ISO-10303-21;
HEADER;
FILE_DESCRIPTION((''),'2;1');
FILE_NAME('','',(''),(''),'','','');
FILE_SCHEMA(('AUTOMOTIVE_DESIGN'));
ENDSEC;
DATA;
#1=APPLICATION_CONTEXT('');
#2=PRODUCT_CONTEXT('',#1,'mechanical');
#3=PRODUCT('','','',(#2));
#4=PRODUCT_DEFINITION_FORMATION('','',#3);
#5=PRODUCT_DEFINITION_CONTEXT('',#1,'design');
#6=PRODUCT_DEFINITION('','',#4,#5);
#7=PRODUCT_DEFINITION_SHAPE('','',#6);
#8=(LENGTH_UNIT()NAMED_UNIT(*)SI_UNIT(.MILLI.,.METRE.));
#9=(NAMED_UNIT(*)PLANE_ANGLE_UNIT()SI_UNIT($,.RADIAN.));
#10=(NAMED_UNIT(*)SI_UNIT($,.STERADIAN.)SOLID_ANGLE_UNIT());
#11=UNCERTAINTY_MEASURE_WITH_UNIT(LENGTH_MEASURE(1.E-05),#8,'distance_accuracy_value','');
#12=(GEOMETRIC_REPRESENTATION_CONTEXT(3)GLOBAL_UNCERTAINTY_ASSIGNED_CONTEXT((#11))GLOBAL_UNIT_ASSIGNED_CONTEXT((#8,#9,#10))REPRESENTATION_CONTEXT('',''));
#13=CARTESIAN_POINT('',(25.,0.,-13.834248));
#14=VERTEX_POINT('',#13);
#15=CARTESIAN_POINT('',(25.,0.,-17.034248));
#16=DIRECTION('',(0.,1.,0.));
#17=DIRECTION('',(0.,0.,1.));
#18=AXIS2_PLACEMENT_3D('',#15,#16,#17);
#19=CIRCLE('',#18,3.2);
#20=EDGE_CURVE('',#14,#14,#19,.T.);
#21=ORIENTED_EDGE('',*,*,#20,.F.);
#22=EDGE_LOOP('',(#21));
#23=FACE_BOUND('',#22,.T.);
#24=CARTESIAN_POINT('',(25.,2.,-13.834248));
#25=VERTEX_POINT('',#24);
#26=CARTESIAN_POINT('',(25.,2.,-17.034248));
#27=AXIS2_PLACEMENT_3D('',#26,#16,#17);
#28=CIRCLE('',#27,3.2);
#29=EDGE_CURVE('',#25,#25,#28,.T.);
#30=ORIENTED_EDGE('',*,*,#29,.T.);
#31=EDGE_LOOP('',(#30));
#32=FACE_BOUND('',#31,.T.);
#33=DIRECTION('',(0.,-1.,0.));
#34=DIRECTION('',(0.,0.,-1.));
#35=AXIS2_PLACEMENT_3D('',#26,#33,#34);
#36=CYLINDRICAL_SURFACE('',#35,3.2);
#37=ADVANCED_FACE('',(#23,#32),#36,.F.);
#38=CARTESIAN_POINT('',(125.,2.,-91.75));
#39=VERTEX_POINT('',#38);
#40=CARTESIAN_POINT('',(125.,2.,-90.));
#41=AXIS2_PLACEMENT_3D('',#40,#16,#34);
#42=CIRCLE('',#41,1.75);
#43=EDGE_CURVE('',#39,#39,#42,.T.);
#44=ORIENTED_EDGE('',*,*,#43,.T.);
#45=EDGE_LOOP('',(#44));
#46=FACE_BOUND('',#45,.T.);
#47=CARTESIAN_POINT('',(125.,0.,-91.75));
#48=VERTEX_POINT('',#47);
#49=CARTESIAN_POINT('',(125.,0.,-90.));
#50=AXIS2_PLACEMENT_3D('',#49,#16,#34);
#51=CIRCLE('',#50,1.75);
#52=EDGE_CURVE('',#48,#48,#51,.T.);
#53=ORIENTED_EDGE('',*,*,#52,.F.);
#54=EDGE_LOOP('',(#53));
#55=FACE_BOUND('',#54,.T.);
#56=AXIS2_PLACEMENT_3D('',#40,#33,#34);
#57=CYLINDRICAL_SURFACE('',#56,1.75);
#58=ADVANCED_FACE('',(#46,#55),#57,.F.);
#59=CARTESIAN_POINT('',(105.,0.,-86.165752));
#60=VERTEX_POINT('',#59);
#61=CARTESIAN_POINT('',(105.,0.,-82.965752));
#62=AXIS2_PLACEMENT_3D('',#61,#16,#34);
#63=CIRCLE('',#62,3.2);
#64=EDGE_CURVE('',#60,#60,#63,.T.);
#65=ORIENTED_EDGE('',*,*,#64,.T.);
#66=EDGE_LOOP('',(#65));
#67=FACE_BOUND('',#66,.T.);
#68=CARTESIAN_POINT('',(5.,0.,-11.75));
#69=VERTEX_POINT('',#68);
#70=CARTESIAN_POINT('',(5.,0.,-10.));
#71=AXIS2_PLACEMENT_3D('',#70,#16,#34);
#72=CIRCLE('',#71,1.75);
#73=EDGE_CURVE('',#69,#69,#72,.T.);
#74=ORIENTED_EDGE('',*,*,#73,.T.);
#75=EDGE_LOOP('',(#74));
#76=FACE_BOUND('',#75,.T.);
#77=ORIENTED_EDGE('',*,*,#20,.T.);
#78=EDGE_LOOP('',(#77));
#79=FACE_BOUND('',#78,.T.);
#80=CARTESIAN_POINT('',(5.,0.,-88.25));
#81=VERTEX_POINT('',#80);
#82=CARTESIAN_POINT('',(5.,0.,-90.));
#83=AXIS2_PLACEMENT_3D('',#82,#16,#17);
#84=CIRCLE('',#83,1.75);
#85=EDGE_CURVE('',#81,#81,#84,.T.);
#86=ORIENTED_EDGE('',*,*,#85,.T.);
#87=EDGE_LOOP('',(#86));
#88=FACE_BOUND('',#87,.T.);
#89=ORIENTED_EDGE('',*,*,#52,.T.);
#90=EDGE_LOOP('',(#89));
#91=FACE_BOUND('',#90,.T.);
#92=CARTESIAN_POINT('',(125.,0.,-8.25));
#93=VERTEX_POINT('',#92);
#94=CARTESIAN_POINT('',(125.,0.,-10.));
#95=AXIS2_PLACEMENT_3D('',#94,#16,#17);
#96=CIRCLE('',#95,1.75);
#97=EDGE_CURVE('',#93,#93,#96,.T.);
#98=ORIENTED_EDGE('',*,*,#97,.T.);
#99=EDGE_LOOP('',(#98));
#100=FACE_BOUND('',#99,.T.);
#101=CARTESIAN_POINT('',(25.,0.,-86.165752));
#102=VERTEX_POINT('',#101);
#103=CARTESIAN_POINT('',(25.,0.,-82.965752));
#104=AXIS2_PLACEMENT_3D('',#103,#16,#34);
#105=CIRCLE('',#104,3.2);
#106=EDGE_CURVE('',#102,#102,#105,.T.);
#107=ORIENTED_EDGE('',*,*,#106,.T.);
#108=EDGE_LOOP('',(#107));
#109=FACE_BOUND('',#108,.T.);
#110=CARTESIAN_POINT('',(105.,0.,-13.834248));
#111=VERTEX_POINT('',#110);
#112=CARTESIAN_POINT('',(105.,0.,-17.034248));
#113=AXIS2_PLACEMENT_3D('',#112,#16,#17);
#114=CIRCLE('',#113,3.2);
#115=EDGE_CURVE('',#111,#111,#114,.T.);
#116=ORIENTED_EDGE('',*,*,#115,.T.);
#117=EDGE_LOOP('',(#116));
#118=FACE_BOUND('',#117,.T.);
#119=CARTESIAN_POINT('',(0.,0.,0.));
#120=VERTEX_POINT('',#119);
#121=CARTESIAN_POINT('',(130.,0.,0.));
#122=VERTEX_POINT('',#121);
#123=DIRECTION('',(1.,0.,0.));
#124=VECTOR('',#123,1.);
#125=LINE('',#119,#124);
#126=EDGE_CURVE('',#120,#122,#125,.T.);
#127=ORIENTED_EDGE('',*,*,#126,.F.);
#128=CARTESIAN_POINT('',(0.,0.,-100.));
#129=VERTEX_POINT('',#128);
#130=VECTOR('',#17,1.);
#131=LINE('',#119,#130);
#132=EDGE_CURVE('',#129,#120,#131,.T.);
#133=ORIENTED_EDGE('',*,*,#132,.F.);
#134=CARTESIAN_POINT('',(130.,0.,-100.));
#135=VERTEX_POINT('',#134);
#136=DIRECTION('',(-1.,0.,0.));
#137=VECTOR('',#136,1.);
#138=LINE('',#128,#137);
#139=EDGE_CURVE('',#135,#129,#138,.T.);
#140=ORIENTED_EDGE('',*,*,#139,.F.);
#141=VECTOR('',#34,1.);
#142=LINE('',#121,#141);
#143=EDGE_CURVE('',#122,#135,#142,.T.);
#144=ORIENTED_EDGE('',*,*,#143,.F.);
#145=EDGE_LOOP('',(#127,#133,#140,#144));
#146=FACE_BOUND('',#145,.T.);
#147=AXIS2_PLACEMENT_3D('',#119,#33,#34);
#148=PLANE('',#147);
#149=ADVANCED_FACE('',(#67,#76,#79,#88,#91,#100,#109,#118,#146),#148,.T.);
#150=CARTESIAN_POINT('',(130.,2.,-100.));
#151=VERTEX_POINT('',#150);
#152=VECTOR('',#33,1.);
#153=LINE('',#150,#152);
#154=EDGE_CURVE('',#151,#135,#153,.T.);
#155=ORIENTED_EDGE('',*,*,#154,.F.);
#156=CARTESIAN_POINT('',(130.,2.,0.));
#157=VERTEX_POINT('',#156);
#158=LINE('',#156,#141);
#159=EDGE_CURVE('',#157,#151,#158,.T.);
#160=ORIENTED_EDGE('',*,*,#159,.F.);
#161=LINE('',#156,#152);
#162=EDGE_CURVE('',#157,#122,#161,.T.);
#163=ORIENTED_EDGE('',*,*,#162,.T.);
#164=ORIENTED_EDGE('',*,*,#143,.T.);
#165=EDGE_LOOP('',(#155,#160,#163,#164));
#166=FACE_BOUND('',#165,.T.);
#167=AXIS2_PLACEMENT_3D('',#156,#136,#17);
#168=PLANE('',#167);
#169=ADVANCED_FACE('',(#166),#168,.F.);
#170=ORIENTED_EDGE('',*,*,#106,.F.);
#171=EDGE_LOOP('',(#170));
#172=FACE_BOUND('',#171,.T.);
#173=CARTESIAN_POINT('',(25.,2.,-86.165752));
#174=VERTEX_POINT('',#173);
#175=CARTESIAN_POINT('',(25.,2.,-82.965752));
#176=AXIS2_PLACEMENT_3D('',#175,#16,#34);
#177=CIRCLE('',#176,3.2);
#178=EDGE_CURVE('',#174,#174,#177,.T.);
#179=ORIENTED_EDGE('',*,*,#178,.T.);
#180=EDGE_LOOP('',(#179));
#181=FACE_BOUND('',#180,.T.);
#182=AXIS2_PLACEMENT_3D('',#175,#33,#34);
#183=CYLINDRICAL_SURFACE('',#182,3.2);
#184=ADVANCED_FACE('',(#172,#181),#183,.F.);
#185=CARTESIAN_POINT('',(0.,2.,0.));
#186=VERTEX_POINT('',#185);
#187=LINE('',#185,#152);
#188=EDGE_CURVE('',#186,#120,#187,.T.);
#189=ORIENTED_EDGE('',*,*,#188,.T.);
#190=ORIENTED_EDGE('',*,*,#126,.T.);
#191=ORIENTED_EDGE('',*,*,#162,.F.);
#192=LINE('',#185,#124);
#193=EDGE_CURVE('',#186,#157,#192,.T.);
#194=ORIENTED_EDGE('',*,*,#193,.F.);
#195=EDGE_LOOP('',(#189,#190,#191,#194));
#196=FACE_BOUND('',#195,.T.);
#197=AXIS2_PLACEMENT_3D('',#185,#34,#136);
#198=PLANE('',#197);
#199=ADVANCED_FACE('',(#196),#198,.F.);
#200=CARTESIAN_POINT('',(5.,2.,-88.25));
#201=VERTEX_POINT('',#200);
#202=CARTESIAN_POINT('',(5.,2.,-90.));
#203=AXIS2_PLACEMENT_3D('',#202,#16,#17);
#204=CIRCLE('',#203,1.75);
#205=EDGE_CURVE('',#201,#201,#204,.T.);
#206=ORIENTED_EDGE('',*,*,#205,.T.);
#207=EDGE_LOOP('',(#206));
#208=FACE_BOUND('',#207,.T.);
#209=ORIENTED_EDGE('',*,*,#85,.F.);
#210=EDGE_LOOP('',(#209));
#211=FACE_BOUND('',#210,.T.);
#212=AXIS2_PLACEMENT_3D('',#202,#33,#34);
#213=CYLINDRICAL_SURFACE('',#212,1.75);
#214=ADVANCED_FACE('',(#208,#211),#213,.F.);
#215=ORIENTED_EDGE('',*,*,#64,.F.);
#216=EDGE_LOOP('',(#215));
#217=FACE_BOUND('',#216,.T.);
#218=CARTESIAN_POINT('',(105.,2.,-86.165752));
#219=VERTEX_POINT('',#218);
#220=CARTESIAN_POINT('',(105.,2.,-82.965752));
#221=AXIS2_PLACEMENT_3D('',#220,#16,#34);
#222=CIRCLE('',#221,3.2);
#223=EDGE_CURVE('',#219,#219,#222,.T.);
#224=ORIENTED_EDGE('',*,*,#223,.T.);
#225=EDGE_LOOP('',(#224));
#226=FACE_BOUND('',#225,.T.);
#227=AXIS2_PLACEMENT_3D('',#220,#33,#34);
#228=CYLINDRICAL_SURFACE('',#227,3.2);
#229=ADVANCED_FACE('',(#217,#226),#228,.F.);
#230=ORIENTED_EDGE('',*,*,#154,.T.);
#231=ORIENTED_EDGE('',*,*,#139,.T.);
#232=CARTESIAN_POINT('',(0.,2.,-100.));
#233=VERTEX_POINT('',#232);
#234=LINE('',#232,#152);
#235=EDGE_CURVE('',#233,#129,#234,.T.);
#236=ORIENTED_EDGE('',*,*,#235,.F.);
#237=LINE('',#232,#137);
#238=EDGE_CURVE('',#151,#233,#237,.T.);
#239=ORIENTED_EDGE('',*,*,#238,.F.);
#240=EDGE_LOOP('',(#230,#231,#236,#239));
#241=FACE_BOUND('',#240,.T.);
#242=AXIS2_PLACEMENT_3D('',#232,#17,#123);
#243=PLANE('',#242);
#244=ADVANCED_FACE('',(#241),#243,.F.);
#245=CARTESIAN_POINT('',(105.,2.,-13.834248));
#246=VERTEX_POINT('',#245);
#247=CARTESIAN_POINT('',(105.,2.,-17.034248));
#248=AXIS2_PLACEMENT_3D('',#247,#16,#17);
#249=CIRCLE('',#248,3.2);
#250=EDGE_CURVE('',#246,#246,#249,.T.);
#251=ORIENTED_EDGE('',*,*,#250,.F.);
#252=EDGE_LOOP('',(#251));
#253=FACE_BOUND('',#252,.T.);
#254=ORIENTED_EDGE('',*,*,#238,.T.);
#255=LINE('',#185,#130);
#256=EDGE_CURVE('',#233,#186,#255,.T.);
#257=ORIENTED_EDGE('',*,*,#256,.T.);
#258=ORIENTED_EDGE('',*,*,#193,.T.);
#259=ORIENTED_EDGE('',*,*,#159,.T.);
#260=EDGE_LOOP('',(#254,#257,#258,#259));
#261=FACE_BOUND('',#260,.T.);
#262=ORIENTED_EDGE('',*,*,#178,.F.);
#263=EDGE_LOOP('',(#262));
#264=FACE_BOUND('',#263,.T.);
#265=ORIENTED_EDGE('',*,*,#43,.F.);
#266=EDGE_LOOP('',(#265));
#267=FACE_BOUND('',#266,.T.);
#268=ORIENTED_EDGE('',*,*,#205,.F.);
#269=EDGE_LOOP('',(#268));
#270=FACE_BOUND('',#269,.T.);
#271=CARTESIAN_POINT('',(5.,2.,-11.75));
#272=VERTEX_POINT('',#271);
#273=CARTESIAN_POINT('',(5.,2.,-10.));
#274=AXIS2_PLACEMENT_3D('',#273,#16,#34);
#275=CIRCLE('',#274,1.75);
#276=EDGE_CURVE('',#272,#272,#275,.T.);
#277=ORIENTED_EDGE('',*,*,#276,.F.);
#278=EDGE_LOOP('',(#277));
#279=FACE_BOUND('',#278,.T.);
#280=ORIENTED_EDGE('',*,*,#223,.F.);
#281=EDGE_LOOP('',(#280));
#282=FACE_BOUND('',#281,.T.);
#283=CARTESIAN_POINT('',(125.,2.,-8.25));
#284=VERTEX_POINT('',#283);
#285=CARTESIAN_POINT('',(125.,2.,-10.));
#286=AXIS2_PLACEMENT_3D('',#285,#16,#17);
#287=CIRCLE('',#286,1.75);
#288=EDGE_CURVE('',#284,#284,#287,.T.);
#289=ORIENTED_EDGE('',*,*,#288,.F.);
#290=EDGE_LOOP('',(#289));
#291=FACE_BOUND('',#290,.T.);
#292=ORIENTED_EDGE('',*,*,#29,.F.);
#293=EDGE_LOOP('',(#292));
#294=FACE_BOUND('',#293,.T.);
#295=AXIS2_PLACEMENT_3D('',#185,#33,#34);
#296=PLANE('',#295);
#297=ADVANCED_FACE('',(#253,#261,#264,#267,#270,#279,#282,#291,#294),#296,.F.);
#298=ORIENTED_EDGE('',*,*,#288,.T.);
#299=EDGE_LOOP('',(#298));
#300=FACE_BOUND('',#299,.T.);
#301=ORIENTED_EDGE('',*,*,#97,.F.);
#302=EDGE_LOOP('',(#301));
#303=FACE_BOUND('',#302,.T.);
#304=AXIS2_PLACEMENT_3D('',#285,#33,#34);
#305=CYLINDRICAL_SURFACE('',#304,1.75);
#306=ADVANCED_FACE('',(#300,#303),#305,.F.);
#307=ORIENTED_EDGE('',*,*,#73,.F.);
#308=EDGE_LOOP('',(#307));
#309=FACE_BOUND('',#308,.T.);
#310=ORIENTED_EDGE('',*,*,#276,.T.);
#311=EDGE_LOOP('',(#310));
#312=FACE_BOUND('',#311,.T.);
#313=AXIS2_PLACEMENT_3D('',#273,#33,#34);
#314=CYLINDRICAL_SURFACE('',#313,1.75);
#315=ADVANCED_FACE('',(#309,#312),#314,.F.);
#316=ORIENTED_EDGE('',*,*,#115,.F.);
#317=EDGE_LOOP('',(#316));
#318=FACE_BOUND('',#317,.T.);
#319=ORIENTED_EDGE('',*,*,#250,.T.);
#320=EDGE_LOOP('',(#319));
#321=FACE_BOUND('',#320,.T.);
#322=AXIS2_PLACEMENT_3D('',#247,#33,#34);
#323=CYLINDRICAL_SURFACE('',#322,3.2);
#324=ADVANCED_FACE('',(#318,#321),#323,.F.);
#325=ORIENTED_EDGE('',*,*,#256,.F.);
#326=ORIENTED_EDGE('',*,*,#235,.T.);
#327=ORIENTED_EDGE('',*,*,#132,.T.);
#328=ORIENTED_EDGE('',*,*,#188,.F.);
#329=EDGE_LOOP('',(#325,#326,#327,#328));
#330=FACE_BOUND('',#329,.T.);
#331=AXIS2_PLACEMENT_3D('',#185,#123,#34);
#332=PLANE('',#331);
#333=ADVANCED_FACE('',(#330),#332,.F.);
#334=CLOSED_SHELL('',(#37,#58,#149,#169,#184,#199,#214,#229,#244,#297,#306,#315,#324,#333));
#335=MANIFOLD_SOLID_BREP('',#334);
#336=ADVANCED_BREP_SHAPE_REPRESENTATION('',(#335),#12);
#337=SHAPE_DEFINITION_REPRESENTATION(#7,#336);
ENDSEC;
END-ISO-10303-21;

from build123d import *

# Parameters (mm, degrees)
SKETCH_1_W      = 130
SKETCH_1_H      = 100
SKETCH_1_R      = 3.2
SKETCH_1_R_2    = 1.75
EXTRUDE_1_DEPTH = 2


with BuildPart() as part:
    # Эскиз1 → Бобышка-Вытянуть1 (new body)
    with BuildSketch(Plane(origin=(0, 0, 0), x_dir=(1, 0, 0), z_dir=(0, 1, 0))):
        with Locations((65, 50)):
            Rectangle(SKETCH_1_W, SKETCH_1_H)
        with Locations((105, 17.034247801)):
            Circle(SKETCH_1_R, mode=Mode.SUBTRACT)
        with Locations((25, 17.034247801)):
            Circle(SKETCH_1_R, mode=Mode.SUBTRACT)
        with Locations((105, 82.965752199)):
            Circle(SKETCH_1_R, mode=Mode.SUBTRACT)
        with Locations((25, 82.965752199)):
            Circle(SKETCH_1_R, mode=Mode.SUBTRACT)
        with Locations((5, 90)):
            Circle(SKETCH_1_R_2, mode=Mode.SUBTRACT)
        with Locations((5, 10)):
            Circle(SKETCH_1_R_2, mode=Mode.SUBTRACT)
        with Locations((125, 10)):
            Circle(SKETCH_1_R_2, mode=Mode.SUBTRACT)
        with Locations((125, 90)):
            Circle(SKETCH_1_R_2, mode=Mode.SUBTRACT)
    extrude(amount=EXTRUDE_1_DEPTH)


solid = part.part
